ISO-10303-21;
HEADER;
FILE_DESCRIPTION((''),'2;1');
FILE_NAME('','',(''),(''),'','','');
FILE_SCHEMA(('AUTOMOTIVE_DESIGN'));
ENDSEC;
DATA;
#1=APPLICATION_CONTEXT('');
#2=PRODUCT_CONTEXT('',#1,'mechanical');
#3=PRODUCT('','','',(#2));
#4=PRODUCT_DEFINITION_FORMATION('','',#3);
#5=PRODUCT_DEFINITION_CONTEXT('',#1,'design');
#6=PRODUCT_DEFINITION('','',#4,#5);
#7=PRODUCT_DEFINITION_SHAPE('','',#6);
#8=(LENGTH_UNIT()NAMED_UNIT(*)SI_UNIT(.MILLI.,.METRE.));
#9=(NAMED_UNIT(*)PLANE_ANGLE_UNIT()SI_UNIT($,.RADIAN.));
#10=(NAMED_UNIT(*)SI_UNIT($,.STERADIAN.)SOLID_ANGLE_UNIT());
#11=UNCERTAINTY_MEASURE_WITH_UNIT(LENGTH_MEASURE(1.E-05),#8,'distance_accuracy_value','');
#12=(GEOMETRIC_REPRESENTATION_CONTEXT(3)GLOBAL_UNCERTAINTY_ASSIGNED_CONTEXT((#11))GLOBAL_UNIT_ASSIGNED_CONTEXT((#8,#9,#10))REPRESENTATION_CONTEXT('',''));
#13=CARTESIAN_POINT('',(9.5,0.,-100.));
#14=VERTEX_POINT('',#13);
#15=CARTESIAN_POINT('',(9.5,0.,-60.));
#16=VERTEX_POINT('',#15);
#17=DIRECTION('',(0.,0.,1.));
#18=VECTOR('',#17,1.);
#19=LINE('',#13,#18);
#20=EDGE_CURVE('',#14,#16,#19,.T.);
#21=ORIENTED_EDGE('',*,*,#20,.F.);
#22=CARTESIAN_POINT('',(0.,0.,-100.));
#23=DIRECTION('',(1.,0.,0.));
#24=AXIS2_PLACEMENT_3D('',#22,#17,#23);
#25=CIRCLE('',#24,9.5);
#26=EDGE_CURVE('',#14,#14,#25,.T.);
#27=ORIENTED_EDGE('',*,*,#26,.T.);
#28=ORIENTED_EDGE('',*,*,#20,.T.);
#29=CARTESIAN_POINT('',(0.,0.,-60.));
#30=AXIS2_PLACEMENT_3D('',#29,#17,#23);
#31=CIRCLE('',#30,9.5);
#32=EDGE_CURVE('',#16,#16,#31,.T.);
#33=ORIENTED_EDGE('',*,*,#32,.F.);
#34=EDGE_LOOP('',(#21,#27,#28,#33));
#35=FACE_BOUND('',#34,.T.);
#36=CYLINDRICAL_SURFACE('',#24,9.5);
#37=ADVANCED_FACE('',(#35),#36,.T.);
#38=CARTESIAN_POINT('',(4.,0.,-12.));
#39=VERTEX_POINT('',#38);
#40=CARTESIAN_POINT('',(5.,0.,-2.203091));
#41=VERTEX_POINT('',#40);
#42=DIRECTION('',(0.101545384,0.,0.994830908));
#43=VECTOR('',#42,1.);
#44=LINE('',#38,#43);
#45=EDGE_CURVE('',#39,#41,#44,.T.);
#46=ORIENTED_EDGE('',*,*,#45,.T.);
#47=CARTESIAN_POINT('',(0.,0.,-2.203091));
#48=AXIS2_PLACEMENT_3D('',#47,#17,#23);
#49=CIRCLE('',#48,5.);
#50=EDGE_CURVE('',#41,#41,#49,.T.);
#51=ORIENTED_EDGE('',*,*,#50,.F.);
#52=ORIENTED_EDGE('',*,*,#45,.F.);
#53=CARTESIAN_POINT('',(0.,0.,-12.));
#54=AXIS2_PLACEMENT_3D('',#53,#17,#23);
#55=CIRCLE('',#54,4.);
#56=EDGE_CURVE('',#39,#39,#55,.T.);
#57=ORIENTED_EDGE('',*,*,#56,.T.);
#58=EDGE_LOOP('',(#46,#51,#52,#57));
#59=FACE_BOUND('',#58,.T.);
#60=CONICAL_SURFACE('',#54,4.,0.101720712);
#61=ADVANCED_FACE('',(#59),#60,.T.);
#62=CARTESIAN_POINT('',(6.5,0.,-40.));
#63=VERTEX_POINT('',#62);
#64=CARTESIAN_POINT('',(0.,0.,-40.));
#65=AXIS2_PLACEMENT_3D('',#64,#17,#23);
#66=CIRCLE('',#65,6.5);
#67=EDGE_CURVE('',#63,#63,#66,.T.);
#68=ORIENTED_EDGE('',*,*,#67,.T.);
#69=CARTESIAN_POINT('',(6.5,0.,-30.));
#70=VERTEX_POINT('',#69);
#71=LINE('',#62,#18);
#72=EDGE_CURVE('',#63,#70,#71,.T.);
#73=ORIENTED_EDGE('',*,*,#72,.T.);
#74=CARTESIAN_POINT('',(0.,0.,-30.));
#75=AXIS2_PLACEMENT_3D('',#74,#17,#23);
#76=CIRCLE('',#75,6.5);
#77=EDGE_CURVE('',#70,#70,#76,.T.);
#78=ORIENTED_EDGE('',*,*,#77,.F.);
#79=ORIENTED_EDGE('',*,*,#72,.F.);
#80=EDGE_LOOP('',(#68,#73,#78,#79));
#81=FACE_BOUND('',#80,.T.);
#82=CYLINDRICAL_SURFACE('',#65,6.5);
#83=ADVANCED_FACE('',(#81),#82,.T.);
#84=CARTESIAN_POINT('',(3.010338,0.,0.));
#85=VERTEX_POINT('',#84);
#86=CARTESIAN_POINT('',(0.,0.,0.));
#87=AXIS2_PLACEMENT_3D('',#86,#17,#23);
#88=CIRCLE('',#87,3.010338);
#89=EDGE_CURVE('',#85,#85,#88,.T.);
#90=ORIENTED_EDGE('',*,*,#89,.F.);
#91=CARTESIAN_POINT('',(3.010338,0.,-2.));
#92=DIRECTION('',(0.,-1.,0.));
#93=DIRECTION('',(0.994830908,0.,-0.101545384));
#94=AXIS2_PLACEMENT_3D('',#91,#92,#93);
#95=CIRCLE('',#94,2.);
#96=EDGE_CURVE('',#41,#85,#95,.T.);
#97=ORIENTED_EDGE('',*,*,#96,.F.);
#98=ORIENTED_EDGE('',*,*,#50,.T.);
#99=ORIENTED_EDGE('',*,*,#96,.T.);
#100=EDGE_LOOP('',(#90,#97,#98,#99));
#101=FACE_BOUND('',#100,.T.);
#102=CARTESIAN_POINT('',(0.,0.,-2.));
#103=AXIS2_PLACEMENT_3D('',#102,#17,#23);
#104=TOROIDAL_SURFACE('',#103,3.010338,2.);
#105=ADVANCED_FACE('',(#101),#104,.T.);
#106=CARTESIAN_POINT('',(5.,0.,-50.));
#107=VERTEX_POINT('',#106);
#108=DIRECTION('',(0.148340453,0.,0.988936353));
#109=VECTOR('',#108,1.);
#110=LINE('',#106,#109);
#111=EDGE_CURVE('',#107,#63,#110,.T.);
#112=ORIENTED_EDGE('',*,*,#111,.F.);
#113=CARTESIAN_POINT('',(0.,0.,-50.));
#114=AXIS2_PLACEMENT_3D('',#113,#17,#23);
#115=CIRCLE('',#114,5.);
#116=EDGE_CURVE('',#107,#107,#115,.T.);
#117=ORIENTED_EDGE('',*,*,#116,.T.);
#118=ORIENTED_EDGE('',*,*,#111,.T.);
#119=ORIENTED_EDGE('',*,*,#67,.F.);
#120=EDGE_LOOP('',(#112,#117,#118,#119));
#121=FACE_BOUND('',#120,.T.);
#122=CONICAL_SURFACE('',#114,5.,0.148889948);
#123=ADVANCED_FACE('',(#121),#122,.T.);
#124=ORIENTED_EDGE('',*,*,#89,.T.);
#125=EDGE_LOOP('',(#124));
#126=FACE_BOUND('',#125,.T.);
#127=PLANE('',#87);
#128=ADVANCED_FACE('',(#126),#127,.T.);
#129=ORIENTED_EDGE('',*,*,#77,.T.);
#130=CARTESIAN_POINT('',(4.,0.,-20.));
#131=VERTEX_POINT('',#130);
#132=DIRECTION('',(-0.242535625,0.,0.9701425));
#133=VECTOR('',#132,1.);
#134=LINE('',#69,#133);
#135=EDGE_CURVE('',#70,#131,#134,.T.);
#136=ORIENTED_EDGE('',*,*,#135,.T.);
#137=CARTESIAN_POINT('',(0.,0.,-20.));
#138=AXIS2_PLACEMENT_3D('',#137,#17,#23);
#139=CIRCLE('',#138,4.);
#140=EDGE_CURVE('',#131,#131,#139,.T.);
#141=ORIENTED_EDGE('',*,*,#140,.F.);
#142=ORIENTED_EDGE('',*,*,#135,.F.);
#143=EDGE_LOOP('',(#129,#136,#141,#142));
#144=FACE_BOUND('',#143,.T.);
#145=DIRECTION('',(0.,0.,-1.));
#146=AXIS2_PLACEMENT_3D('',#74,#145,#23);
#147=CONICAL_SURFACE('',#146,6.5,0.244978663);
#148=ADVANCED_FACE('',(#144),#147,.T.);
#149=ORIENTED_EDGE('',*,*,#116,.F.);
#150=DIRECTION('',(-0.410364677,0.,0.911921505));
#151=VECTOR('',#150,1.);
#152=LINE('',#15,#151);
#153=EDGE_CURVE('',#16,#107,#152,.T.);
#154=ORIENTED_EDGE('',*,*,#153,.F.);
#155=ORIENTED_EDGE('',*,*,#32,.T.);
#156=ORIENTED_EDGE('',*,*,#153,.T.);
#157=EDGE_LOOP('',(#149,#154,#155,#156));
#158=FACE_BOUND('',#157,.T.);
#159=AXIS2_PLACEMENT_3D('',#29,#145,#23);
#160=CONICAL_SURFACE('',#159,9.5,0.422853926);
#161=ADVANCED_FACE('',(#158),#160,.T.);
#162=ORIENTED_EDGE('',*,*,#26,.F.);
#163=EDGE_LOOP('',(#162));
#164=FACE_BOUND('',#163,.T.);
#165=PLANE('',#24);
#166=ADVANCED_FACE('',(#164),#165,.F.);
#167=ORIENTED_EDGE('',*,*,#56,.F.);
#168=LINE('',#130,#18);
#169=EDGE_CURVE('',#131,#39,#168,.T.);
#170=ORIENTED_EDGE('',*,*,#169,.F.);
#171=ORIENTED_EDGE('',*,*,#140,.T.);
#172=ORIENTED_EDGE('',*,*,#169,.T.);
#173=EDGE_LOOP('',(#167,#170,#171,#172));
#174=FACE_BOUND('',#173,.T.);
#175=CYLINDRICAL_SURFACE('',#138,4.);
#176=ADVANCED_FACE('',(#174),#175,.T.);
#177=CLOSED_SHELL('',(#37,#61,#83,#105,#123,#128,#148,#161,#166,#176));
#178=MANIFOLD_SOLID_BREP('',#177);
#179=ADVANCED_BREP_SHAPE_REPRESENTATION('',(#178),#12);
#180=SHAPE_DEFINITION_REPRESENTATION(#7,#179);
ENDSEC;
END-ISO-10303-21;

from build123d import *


with BuildPart() as f1:
    # F0 (on Front) → F1 (revolve)
    with BuildSketch(Plane.XZ):
        with BuildLine():
            Line((0, 0), (0, -0.0111620878))
            ThreePointArc((0, -0.0111620878), (0.0055810439, -0.0055810439), (0, 0))
        make_face()
        with BuildLine():
            ThreePointArc((0, 0), (0.0055810439, -0.0055810439), (0, -0.0111620878))
            Line((0, -0.0111620878), (0, -81.6583442783))
            Line((0, -81.6583442783), (0, -100))
            Line((0, -100), (9.5, -100))
            Line((9.5, -100), (9.5, -60))
            Line((9.5, -60), (5, -50))
            Line((5, -50), (6.5, -40))
            Line((6.5, -40), (6.5, -30))
            Line((6.5, -30), (4, -20))
            Line((4, -20), (4, -12))
            Line((4, -12), (5, -2.2030907675))
            ThreePointArc((5, -2.2030907675), (4.4946194137, -0.6595115694), (3.0103381845, 0))
            Line((3.0103381845, 0), (0, 0))
        make_face()
    revolve(axis=Axis((0, 0, -50), (0, 0, 1)))


solid = f1.part
